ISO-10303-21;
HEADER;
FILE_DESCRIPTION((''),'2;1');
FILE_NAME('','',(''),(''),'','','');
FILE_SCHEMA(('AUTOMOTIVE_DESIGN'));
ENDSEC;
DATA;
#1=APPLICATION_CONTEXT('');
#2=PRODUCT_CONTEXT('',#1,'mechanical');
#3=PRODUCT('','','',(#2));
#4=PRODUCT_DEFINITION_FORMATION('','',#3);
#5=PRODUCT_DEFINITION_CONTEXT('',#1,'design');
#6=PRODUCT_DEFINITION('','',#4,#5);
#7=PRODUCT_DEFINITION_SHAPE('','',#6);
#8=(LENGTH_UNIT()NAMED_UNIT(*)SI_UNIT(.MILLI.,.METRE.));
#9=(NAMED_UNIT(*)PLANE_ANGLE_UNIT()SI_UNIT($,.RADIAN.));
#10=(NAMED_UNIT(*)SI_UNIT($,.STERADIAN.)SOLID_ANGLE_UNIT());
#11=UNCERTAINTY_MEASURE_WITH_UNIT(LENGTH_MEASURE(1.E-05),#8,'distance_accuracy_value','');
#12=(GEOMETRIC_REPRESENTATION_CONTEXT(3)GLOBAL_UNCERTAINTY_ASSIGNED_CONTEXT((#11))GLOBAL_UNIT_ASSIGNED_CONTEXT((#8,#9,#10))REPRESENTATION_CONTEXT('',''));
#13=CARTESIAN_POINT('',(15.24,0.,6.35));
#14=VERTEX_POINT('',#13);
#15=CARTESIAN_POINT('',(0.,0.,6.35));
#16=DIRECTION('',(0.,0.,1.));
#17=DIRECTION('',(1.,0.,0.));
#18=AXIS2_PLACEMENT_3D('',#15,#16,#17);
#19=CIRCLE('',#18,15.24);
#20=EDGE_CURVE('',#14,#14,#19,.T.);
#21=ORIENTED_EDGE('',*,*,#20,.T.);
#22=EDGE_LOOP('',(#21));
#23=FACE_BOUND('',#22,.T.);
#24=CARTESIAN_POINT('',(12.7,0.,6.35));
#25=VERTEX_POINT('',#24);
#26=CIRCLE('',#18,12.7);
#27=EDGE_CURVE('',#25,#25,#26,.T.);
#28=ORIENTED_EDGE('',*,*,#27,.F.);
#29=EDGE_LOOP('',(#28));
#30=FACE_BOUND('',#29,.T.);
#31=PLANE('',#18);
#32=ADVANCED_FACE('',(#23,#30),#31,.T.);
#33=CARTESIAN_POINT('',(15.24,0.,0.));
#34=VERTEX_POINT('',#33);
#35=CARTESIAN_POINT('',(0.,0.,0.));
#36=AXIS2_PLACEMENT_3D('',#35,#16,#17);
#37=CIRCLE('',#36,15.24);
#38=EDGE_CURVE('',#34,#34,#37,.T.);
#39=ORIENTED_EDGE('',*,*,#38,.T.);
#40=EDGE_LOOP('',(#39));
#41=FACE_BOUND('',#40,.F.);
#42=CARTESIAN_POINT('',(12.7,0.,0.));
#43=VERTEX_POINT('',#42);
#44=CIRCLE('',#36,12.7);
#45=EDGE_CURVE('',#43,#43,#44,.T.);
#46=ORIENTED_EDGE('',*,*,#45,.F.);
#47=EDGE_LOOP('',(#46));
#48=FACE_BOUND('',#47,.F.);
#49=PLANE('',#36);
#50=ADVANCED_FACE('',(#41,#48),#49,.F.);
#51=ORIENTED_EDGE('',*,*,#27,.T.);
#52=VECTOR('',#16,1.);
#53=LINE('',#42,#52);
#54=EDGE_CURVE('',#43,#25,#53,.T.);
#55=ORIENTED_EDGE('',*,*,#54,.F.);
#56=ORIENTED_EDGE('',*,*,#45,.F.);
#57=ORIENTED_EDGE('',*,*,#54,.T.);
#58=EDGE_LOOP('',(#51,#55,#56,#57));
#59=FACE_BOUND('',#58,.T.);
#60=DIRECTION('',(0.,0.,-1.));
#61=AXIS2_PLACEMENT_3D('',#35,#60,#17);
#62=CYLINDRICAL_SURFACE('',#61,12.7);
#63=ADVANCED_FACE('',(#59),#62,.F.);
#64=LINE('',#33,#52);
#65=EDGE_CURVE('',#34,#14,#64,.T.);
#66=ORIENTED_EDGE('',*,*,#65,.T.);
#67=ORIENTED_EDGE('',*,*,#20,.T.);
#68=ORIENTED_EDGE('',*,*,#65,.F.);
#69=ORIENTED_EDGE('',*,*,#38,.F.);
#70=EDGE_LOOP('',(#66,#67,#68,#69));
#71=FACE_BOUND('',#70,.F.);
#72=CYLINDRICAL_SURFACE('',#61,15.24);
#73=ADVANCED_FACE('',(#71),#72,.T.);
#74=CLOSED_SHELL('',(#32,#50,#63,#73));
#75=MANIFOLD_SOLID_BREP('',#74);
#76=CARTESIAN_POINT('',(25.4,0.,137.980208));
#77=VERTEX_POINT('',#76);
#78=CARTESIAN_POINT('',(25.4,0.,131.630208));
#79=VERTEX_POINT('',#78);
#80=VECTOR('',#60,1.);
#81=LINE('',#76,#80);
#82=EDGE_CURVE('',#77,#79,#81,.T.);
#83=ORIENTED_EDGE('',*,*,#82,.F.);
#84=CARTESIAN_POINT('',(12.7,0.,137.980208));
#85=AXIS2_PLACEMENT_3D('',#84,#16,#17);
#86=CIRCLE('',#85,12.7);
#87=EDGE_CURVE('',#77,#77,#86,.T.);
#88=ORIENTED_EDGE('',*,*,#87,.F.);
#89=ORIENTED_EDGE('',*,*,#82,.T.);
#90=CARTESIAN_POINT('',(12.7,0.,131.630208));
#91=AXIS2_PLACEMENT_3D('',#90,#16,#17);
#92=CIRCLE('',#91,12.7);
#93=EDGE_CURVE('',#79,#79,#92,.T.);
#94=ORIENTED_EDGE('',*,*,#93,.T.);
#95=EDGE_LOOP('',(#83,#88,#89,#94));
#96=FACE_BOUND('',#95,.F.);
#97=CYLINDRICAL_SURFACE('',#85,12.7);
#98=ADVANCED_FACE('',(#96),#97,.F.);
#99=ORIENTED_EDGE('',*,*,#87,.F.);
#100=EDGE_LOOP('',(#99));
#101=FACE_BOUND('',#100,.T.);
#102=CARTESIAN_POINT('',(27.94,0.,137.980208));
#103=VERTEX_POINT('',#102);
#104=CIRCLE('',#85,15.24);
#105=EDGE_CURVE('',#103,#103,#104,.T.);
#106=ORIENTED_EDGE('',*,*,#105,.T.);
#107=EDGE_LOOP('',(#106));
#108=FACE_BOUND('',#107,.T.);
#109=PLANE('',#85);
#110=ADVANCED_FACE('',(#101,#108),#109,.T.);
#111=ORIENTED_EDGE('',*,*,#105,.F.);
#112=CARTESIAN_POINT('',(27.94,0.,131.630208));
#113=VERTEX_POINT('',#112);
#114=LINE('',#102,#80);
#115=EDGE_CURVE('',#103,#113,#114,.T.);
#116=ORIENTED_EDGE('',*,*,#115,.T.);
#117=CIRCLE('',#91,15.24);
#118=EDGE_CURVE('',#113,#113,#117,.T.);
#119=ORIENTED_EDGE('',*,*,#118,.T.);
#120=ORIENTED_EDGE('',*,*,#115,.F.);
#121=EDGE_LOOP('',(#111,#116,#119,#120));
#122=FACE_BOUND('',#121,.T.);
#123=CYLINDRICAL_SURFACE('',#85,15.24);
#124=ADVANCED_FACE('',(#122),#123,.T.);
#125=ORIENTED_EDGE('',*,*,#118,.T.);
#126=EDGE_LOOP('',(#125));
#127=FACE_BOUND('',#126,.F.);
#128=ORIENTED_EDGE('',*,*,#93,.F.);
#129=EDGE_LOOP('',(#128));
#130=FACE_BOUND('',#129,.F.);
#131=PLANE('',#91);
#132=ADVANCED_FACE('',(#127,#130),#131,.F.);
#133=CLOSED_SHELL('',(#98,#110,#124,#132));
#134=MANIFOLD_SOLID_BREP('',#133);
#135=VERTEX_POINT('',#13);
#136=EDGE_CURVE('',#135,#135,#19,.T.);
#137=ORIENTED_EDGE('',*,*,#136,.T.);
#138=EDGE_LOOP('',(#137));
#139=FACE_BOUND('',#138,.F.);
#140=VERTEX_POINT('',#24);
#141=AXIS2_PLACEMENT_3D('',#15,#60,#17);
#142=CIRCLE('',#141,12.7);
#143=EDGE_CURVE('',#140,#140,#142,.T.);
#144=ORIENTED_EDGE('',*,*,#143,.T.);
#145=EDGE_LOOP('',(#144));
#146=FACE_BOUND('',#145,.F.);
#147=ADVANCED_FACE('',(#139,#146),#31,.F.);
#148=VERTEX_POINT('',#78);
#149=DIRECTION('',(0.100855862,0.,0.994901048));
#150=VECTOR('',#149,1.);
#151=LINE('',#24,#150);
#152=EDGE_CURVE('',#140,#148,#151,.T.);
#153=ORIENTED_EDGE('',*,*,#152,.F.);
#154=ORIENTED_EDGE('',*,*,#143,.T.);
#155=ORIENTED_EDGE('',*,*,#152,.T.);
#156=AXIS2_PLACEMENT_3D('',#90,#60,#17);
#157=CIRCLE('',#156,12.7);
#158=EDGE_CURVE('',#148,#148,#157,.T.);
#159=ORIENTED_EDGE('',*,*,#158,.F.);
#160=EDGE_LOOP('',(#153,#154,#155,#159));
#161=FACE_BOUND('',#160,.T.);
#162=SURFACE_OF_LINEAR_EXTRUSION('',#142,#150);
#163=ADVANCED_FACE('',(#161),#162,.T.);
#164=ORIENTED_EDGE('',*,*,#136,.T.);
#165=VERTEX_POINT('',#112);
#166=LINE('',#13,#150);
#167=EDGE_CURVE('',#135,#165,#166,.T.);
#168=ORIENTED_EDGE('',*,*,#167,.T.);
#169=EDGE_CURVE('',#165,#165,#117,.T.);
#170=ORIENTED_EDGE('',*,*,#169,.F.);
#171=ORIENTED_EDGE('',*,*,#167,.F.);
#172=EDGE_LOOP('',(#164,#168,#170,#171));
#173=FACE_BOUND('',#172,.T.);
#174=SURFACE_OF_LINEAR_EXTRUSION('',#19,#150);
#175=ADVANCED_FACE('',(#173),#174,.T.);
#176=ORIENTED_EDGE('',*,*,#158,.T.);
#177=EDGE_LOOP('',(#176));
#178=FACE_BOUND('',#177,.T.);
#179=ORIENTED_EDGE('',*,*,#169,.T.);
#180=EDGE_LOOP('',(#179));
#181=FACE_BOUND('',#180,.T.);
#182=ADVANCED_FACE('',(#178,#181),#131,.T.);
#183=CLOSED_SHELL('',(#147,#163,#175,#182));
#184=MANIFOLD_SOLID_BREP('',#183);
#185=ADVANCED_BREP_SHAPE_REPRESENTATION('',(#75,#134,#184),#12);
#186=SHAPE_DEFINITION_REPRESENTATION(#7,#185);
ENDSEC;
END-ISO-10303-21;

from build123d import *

# Parameters (mm, degrees)
F0_R        = 15.24
F0_R_2      = 12.7
F1_DEPTH    = 6.35
F3_R        = 15.24
F3_R_2      = 12.7
F4_DEPTH    = 6.35
F1_FACE_R   = 15.24
F1_FACE_R_2 = 12.7


with BuildPart() as f1:
    # F0 (on Top) → F1 (new body)
    with BuildSketch(Plane.XY):
        Circle(F0_R)
        Circle(F0_R_2, mode=Mode.SUBTRACT)
    extrude(amount=F1_DEPTH)


with BuildPart() as f4:
    # F3 (on offset) → F4 (new body)
    with BuildSketch(Plane.XY.offset(137.980208)):
        with Locations((12.7, 0)):
            Circle(F3_R)
        with Locations((12.7, 0)):
            Circle(F3_R_2, mode=Mode.SUBTRACT)
    extrude(amount=-F4_DEPTH)


with BuildPart() as f6:
    # F6: sweep along a path in F5
    with BuildLine(Plane.XZ) as f6_path:
        Line((0, 6.35), (12.7, 131.630208))
    # F1_face (on face) → F6 (sweep)
    with BuildSketch(Plane.XY.offset(6.35)):
        Circle(F1_FACE_R)
        Circle(F1_FACE_R_2, mode=Mode.SUBTRACT)
    sweep(path=f6_path.line)


solid = Compound([f1.part, f4.part, f6.part])
